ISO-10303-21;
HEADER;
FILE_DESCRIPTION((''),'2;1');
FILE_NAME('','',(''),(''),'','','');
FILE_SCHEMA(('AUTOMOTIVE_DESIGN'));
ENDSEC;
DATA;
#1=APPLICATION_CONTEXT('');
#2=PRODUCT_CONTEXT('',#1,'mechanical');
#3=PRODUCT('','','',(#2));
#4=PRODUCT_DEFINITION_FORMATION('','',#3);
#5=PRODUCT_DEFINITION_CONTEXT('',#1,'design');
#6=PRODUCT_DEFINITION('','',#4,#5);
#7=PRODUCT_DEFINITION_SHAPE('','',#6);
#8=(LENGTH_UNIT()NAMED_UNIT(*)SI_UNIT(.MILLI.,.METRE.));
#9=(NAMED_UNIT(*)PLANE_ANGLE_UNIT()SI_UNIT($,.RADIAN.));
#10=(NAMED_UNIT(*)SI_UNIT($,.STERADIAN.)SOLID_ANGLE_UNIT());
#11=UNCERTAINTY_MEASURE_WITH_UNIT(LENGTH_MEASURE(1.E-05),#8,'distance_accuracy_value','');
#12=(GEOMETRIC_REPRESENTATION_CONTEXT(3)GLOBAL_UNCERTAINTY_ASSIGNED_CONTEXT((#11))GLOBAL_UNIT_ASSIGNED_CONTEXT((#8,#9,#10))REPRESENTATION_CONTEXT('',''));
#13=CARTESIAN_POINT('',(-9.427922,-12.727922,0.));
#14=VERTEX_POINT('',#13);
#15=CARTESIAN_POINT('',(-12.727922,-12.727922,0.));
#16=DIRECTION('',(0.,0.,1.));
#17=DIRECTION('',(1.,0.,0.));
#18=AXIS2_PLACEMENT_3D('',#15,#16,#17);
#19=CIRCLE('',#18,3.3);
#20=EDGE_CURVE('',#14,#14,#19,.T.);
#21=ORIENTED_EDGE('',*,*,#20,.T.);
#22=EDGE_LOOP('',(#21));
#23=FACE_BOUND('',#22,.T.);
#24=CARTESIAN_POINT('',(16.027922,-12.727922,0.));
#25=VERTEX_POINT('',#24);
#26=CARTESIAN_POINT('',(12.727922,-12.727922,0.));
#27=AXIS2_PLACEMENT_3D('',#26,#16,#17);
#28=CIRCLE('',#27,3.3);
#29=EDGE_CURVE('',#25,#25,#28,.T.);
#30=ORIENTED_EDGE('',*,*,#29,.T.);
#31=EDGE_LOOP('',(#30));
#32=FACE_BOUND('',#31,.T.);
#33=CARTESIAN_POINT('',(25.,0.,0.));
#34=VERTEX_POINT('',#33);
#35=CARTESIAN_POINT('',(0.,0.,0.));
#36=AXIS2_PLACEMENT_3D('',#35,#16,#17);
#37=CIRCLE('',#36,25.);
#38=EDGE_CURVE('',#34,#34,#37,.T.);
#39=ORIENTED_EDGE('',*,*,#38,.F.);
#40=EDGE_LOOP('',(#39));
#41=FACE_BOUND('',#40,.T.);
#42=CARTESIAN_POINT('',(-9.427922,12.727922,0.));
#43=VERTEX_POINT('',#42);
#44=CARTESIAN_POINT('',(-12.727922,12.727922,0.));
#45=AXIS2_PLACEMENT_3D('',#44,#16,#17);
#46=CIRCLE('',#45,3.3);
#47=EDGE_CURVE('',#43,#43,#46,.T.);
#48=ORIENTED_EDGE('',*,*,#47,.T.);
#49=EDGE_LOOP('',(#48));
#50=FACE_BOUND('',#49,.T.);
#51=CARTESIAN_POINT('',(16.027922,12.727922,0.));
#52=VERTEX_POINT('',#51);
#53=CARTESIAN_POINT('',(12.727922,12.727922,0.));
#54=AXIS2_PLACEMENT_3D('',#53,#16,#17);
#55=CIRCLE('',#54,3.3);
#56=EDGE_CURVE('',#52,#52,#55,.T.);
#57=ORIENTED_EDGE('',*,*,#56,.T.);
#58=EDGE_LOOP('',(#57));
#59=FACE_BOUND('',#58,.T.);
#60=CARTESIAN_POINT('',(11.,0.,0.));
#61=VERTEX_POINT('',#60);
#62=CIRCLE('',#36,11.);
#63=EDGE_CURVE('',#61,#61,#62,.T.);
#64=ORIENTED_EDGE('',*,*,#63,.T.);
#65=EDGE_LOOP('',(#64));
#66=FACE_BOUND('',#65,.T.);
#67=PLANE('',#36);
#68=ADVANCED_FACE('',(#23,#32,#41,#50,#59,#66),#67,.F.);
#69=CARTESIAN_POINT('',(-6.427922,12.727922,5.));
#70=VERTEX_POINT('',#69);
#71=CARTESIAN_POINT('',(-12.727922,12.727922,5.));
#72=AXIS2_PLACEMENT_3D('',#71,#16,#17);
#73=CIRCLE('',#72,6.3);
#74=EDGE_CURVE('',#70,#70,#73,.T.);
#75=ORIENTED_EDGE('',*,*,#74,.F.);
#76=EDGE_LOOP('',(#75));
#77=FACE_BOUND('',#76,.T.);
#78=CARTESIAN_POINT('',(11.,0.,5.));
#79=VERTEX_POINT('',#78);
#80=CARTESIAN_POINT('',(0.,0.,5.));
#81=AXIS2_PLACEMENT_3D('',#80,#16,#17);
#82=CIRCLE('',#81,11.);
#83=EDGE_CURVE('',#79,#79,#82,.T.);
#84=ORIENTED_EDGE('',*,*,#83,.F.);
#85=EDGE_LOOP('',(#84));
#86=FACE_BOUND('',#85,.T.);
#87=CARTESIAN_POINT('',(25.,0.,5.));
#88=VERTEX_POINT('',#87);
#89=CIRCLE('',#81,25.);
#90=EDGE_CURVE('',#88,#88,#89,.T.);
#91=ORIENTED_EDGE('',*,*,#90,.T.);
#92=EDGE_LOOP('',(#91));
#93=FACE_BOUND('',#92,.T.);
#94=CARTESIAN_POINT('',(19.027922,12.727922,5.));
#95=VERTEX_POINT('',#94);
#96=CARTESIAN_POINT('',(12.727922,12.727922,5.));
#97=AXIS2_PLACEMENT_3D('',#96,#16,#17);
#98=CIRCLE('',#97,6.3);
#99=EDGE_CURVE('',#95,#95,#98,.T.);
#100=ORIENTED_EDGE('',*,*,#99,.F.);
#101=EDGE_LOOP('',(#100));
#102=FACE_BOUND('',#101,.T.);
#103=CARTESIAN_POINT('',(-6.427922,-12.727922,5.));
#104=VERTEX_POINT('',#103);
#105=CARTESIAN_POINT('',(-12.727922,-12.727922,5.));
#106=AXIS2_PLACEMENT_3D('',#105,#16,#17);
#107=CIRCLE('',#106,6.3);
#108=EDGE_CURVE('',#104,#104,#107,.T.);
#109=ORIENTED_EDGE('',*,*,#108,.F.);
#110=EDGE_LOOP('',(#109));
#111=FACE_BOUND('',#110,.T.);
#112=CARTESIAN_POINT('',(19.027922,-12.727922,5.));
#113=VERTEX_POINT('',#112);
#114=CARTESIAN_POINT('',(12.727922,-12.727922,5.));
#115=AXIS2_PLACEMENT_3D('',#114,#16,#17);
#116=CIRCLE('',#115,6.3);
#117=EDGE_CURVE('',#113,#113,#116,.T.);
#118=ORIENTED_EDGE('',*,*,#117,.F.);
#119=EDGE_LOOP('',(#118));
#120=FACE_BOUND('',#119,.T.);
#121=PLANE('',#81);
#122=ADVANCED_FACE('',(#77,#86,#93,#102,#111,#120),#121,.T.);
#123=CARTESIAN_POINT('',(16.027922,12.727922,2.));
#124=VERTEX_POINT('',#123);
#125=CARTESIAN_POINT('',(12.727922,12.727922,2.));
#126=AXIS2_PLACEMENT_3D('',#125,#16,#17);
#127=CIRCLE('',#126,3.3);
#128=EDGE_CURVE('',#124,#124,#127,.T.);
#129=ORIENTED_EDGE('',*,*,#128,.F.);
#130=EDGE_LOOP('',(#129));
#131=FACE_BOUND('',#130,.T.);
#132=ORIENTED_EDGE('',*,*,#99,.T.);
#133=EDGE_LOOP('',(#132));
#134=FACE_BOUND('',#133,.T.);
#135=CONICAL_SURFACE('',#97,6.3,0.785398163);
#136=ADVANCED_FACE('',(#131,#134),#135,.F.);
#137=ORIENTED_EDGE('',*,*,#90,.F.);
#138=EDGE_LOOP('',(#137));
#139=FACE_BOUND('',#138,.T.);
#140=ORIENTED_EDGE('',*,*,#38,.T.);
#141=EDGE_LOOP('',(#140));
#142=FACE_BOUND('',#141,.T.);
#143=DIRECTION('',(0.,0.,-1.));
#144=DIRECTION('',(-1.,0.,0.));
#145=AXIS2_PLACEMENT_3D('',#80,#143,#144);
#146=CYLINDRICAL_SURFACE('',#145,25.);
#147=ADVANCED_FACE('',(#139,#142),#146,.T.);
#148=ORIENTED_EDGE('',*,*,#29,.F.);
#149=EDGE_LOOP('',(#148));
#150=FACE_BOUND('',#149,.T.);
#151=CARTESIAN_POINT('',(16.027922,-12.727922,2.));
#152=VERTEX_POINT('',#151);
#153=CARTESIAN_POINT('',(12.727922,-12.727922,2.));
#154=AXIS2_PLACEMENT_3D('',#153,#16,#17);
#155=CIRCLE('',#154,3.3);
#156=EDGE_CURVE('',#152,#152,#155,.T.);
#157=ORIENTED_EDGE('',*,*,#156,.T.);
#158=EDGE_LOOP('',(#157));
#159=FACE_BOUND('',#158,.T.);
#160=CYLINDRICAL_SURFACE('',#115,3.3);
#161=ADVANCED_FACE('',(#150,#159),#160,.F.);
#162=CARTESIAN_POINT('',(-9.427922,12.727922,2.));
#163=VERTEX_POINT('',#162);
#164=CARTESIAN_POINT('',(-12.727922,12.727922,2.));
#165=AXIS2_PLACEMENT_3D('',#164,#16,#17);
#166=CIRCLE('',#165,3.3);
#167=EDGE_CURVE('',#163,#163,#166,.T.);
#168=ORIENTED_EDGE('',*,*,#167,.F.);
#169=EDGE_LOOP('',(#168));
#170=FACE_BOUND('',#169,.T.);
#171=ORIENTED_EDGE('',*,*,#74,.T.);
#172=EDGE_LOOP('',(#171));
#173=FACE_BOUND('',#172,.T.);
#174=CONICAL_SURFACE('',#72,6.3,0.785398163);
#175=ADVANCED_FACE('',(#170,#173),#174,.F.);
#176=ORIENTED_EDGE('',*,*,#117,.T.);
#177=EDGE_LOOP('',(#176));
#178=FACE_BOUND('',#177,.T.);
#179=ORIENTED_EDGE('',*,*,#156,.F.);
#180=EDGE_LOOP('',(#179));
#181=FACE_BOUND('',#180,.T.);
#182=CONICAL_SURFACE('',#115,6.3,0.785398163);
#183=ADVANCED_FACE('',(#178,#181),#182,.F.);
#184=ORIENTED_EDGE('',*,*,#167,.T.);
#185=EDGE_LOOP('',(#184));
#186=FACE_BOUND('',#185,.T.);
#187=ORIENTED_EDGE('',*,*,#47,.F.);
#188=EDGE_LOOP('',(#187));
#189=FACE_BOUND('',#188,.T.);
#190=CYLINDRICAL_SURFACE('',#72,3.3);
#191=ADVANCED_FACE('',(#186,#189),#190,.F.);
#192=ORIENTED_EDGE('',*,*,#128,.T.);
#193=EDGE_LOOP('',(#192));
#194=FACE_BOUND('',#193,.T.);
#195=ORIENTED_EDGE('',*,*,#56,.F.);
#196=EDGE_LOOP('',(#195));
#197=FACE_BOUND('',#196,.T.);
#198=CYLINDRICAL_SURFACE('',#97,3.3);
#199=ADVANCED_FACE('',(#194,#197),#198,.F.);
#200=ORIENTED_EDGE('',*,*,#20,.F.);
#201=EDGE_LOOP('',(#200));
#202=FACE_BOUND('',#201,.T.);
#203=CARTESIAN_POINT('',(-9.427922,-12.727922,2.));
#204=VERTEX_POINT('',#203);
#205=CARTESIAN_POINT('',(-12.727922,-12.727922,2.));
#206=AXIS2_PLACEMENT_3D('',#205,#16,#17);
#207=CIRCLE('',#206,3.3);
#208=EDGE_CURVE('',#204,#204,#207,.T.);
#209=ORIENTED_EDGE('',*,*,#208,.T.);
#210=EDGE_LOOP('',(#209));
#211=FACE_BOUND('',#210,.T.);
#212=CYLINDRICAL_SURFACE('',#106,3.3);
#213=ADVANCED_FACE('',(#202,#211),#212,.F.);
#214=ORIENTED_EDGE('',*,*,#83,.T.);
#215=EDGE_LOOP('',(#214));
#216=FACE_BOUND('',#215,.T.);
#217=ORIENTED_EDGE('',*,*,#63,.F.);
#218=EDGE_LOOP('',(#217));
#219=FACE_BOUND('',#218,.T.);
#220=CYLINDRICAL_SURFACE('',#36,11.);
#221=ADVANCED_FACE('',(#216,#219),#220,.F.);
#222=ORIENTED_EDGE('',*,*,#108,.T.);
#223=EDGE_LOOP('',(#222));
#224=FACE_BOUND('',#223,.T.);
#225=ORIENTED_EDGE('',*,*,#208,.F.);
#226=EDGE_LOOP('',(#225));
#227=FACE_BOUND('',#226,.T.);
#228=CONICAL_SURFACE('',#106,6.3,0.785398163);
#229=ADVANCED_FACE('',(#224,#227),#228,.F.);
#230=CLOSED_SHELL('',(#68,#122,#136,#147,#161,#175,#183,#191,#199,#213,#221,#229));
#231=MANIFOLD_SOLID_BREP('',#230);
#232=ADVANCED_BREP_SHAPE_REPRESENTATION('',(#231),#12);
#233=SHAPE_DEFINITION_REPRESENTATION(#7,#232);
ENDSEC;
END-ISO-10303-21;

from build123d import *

# Parameters (mm, degrees)
ESQUISSE1_R                                 = 25
BOSS_EXTRU_1_DEPTH                          = 5
ESQUISSE2_R                                 = 11
ENL_V_MAT_EXTRU_1_DEPTH                     = 6
FRAISAGE_POUR_VIS_T_TE_FRAIS_E_M61_AT_COUNT = 2
FRAISAGE_POUR_VIS_T_TE_FRAIS_E_M61_AT_PITCH = 36
FRAISAGE_POUR_VIS_T_TE_FRAIS_E_M61_2_COUNT  = 2
FRAISAGE_POUR_VIS_T_TE_FRAIS_E_M61_2_PITCH  = 25.455844123
FRAISAGE_POUR_VIS_T_TE_FRAIS_E_M61_3_COUNT  = 2
FRAISAGE_POUR_VIS_T_TE_FRAIS_E_M61_3_PITCH  = 25.455844123


with BuildPart() as part:
    # Esquisse1 → Boss.-Extru.1 (new body)
    with BuildSketch(Plane.XY):
        Circle(ESQUISSE1_R)
    extrude(amount=BOSS_EXTRU_1_DEPTH)

    # Esquisse2 → Enlèv. mat.-Extru.1 (cut, through all)
    with BuildSketch(Plane.XY.offset(5)):
        Circle(ESQUISSE2_R)
    extrude(amount=-ENL_V_MAT_EXTRU_1_DEPTH, mode=Mode.SUBTRACT)

    # Esquisse8 → Fraisage pour vis à tête fraisée M61 (revolve, cut)
    with BuildSketch(Plane(origin=(12.727922061, 12.727922061, 5), x_dir=(0, -1, 0), z_dir=(1, 0, 0))):
        Polygon((0, 0), (0, 5), (3.3, 5), (3.3, 3), (6.3, 0), align=None)
    fraisage_pour_vis_t_te_frais_e_m61 = revolve(axis=Axis((12.727922061, 12.727922061, 11.35), (0, 0, -1)), mode=Mode.SUBTRACT)

    # Fraisage pour vis à tête fraisée M61 at: Fraisage pour vis à tête fraisée M61 ×2
    with Locations(*[Vector(-0.707106781, -0.707106781, 0) * (i * FRAISAGE_POUR_VIS_T_TE_FRAIS_E_M61_AT_PITCH) for i in range(1, FRAISAGE_POUR_VIS_T_TE_FRAIS_E_M61_AT_COUNT)]):
        add(fraisage_pour_vis_t_te_frais_e_m61, mode=Mode.SUBTRACT)

    # Fraisage pour vis _ t_te frais_e M61 2: Fraisage pour vis à tête fraisée M61 ×2
    with Locations(*[(-i * FRAISAGE_POUR_VIS_T_TE_FRAIS_E_M61_2_PITCH, 0, 0) for i in range(1, FRAISAGE_POUR_VIS_T_TE_FRAIS_E_M61_2_COUNT)]):
        add(fraisage_pour_vis_t_te_frais_e_m61, mode=Mode.SUBTRACT)

    # Fraisage pour vis _ t_te frais_e M61 3: Fraisage pour vis à tête fraisée M61 ×2
    with Locations(*[(0, -i * FRAISAGE_POUR_VIS_T_TE_FRAIS_E_M61_3_PITCH, 0) for i in range(1, FRAISAGE_POUR_VIS_T_TE_FRAIS_E_M61_3_COUNT)]):
        add(fraisage_pour_vis_t_te_frais_e_m61, mode=Mode.SUBTRACT)


solid = part.part
